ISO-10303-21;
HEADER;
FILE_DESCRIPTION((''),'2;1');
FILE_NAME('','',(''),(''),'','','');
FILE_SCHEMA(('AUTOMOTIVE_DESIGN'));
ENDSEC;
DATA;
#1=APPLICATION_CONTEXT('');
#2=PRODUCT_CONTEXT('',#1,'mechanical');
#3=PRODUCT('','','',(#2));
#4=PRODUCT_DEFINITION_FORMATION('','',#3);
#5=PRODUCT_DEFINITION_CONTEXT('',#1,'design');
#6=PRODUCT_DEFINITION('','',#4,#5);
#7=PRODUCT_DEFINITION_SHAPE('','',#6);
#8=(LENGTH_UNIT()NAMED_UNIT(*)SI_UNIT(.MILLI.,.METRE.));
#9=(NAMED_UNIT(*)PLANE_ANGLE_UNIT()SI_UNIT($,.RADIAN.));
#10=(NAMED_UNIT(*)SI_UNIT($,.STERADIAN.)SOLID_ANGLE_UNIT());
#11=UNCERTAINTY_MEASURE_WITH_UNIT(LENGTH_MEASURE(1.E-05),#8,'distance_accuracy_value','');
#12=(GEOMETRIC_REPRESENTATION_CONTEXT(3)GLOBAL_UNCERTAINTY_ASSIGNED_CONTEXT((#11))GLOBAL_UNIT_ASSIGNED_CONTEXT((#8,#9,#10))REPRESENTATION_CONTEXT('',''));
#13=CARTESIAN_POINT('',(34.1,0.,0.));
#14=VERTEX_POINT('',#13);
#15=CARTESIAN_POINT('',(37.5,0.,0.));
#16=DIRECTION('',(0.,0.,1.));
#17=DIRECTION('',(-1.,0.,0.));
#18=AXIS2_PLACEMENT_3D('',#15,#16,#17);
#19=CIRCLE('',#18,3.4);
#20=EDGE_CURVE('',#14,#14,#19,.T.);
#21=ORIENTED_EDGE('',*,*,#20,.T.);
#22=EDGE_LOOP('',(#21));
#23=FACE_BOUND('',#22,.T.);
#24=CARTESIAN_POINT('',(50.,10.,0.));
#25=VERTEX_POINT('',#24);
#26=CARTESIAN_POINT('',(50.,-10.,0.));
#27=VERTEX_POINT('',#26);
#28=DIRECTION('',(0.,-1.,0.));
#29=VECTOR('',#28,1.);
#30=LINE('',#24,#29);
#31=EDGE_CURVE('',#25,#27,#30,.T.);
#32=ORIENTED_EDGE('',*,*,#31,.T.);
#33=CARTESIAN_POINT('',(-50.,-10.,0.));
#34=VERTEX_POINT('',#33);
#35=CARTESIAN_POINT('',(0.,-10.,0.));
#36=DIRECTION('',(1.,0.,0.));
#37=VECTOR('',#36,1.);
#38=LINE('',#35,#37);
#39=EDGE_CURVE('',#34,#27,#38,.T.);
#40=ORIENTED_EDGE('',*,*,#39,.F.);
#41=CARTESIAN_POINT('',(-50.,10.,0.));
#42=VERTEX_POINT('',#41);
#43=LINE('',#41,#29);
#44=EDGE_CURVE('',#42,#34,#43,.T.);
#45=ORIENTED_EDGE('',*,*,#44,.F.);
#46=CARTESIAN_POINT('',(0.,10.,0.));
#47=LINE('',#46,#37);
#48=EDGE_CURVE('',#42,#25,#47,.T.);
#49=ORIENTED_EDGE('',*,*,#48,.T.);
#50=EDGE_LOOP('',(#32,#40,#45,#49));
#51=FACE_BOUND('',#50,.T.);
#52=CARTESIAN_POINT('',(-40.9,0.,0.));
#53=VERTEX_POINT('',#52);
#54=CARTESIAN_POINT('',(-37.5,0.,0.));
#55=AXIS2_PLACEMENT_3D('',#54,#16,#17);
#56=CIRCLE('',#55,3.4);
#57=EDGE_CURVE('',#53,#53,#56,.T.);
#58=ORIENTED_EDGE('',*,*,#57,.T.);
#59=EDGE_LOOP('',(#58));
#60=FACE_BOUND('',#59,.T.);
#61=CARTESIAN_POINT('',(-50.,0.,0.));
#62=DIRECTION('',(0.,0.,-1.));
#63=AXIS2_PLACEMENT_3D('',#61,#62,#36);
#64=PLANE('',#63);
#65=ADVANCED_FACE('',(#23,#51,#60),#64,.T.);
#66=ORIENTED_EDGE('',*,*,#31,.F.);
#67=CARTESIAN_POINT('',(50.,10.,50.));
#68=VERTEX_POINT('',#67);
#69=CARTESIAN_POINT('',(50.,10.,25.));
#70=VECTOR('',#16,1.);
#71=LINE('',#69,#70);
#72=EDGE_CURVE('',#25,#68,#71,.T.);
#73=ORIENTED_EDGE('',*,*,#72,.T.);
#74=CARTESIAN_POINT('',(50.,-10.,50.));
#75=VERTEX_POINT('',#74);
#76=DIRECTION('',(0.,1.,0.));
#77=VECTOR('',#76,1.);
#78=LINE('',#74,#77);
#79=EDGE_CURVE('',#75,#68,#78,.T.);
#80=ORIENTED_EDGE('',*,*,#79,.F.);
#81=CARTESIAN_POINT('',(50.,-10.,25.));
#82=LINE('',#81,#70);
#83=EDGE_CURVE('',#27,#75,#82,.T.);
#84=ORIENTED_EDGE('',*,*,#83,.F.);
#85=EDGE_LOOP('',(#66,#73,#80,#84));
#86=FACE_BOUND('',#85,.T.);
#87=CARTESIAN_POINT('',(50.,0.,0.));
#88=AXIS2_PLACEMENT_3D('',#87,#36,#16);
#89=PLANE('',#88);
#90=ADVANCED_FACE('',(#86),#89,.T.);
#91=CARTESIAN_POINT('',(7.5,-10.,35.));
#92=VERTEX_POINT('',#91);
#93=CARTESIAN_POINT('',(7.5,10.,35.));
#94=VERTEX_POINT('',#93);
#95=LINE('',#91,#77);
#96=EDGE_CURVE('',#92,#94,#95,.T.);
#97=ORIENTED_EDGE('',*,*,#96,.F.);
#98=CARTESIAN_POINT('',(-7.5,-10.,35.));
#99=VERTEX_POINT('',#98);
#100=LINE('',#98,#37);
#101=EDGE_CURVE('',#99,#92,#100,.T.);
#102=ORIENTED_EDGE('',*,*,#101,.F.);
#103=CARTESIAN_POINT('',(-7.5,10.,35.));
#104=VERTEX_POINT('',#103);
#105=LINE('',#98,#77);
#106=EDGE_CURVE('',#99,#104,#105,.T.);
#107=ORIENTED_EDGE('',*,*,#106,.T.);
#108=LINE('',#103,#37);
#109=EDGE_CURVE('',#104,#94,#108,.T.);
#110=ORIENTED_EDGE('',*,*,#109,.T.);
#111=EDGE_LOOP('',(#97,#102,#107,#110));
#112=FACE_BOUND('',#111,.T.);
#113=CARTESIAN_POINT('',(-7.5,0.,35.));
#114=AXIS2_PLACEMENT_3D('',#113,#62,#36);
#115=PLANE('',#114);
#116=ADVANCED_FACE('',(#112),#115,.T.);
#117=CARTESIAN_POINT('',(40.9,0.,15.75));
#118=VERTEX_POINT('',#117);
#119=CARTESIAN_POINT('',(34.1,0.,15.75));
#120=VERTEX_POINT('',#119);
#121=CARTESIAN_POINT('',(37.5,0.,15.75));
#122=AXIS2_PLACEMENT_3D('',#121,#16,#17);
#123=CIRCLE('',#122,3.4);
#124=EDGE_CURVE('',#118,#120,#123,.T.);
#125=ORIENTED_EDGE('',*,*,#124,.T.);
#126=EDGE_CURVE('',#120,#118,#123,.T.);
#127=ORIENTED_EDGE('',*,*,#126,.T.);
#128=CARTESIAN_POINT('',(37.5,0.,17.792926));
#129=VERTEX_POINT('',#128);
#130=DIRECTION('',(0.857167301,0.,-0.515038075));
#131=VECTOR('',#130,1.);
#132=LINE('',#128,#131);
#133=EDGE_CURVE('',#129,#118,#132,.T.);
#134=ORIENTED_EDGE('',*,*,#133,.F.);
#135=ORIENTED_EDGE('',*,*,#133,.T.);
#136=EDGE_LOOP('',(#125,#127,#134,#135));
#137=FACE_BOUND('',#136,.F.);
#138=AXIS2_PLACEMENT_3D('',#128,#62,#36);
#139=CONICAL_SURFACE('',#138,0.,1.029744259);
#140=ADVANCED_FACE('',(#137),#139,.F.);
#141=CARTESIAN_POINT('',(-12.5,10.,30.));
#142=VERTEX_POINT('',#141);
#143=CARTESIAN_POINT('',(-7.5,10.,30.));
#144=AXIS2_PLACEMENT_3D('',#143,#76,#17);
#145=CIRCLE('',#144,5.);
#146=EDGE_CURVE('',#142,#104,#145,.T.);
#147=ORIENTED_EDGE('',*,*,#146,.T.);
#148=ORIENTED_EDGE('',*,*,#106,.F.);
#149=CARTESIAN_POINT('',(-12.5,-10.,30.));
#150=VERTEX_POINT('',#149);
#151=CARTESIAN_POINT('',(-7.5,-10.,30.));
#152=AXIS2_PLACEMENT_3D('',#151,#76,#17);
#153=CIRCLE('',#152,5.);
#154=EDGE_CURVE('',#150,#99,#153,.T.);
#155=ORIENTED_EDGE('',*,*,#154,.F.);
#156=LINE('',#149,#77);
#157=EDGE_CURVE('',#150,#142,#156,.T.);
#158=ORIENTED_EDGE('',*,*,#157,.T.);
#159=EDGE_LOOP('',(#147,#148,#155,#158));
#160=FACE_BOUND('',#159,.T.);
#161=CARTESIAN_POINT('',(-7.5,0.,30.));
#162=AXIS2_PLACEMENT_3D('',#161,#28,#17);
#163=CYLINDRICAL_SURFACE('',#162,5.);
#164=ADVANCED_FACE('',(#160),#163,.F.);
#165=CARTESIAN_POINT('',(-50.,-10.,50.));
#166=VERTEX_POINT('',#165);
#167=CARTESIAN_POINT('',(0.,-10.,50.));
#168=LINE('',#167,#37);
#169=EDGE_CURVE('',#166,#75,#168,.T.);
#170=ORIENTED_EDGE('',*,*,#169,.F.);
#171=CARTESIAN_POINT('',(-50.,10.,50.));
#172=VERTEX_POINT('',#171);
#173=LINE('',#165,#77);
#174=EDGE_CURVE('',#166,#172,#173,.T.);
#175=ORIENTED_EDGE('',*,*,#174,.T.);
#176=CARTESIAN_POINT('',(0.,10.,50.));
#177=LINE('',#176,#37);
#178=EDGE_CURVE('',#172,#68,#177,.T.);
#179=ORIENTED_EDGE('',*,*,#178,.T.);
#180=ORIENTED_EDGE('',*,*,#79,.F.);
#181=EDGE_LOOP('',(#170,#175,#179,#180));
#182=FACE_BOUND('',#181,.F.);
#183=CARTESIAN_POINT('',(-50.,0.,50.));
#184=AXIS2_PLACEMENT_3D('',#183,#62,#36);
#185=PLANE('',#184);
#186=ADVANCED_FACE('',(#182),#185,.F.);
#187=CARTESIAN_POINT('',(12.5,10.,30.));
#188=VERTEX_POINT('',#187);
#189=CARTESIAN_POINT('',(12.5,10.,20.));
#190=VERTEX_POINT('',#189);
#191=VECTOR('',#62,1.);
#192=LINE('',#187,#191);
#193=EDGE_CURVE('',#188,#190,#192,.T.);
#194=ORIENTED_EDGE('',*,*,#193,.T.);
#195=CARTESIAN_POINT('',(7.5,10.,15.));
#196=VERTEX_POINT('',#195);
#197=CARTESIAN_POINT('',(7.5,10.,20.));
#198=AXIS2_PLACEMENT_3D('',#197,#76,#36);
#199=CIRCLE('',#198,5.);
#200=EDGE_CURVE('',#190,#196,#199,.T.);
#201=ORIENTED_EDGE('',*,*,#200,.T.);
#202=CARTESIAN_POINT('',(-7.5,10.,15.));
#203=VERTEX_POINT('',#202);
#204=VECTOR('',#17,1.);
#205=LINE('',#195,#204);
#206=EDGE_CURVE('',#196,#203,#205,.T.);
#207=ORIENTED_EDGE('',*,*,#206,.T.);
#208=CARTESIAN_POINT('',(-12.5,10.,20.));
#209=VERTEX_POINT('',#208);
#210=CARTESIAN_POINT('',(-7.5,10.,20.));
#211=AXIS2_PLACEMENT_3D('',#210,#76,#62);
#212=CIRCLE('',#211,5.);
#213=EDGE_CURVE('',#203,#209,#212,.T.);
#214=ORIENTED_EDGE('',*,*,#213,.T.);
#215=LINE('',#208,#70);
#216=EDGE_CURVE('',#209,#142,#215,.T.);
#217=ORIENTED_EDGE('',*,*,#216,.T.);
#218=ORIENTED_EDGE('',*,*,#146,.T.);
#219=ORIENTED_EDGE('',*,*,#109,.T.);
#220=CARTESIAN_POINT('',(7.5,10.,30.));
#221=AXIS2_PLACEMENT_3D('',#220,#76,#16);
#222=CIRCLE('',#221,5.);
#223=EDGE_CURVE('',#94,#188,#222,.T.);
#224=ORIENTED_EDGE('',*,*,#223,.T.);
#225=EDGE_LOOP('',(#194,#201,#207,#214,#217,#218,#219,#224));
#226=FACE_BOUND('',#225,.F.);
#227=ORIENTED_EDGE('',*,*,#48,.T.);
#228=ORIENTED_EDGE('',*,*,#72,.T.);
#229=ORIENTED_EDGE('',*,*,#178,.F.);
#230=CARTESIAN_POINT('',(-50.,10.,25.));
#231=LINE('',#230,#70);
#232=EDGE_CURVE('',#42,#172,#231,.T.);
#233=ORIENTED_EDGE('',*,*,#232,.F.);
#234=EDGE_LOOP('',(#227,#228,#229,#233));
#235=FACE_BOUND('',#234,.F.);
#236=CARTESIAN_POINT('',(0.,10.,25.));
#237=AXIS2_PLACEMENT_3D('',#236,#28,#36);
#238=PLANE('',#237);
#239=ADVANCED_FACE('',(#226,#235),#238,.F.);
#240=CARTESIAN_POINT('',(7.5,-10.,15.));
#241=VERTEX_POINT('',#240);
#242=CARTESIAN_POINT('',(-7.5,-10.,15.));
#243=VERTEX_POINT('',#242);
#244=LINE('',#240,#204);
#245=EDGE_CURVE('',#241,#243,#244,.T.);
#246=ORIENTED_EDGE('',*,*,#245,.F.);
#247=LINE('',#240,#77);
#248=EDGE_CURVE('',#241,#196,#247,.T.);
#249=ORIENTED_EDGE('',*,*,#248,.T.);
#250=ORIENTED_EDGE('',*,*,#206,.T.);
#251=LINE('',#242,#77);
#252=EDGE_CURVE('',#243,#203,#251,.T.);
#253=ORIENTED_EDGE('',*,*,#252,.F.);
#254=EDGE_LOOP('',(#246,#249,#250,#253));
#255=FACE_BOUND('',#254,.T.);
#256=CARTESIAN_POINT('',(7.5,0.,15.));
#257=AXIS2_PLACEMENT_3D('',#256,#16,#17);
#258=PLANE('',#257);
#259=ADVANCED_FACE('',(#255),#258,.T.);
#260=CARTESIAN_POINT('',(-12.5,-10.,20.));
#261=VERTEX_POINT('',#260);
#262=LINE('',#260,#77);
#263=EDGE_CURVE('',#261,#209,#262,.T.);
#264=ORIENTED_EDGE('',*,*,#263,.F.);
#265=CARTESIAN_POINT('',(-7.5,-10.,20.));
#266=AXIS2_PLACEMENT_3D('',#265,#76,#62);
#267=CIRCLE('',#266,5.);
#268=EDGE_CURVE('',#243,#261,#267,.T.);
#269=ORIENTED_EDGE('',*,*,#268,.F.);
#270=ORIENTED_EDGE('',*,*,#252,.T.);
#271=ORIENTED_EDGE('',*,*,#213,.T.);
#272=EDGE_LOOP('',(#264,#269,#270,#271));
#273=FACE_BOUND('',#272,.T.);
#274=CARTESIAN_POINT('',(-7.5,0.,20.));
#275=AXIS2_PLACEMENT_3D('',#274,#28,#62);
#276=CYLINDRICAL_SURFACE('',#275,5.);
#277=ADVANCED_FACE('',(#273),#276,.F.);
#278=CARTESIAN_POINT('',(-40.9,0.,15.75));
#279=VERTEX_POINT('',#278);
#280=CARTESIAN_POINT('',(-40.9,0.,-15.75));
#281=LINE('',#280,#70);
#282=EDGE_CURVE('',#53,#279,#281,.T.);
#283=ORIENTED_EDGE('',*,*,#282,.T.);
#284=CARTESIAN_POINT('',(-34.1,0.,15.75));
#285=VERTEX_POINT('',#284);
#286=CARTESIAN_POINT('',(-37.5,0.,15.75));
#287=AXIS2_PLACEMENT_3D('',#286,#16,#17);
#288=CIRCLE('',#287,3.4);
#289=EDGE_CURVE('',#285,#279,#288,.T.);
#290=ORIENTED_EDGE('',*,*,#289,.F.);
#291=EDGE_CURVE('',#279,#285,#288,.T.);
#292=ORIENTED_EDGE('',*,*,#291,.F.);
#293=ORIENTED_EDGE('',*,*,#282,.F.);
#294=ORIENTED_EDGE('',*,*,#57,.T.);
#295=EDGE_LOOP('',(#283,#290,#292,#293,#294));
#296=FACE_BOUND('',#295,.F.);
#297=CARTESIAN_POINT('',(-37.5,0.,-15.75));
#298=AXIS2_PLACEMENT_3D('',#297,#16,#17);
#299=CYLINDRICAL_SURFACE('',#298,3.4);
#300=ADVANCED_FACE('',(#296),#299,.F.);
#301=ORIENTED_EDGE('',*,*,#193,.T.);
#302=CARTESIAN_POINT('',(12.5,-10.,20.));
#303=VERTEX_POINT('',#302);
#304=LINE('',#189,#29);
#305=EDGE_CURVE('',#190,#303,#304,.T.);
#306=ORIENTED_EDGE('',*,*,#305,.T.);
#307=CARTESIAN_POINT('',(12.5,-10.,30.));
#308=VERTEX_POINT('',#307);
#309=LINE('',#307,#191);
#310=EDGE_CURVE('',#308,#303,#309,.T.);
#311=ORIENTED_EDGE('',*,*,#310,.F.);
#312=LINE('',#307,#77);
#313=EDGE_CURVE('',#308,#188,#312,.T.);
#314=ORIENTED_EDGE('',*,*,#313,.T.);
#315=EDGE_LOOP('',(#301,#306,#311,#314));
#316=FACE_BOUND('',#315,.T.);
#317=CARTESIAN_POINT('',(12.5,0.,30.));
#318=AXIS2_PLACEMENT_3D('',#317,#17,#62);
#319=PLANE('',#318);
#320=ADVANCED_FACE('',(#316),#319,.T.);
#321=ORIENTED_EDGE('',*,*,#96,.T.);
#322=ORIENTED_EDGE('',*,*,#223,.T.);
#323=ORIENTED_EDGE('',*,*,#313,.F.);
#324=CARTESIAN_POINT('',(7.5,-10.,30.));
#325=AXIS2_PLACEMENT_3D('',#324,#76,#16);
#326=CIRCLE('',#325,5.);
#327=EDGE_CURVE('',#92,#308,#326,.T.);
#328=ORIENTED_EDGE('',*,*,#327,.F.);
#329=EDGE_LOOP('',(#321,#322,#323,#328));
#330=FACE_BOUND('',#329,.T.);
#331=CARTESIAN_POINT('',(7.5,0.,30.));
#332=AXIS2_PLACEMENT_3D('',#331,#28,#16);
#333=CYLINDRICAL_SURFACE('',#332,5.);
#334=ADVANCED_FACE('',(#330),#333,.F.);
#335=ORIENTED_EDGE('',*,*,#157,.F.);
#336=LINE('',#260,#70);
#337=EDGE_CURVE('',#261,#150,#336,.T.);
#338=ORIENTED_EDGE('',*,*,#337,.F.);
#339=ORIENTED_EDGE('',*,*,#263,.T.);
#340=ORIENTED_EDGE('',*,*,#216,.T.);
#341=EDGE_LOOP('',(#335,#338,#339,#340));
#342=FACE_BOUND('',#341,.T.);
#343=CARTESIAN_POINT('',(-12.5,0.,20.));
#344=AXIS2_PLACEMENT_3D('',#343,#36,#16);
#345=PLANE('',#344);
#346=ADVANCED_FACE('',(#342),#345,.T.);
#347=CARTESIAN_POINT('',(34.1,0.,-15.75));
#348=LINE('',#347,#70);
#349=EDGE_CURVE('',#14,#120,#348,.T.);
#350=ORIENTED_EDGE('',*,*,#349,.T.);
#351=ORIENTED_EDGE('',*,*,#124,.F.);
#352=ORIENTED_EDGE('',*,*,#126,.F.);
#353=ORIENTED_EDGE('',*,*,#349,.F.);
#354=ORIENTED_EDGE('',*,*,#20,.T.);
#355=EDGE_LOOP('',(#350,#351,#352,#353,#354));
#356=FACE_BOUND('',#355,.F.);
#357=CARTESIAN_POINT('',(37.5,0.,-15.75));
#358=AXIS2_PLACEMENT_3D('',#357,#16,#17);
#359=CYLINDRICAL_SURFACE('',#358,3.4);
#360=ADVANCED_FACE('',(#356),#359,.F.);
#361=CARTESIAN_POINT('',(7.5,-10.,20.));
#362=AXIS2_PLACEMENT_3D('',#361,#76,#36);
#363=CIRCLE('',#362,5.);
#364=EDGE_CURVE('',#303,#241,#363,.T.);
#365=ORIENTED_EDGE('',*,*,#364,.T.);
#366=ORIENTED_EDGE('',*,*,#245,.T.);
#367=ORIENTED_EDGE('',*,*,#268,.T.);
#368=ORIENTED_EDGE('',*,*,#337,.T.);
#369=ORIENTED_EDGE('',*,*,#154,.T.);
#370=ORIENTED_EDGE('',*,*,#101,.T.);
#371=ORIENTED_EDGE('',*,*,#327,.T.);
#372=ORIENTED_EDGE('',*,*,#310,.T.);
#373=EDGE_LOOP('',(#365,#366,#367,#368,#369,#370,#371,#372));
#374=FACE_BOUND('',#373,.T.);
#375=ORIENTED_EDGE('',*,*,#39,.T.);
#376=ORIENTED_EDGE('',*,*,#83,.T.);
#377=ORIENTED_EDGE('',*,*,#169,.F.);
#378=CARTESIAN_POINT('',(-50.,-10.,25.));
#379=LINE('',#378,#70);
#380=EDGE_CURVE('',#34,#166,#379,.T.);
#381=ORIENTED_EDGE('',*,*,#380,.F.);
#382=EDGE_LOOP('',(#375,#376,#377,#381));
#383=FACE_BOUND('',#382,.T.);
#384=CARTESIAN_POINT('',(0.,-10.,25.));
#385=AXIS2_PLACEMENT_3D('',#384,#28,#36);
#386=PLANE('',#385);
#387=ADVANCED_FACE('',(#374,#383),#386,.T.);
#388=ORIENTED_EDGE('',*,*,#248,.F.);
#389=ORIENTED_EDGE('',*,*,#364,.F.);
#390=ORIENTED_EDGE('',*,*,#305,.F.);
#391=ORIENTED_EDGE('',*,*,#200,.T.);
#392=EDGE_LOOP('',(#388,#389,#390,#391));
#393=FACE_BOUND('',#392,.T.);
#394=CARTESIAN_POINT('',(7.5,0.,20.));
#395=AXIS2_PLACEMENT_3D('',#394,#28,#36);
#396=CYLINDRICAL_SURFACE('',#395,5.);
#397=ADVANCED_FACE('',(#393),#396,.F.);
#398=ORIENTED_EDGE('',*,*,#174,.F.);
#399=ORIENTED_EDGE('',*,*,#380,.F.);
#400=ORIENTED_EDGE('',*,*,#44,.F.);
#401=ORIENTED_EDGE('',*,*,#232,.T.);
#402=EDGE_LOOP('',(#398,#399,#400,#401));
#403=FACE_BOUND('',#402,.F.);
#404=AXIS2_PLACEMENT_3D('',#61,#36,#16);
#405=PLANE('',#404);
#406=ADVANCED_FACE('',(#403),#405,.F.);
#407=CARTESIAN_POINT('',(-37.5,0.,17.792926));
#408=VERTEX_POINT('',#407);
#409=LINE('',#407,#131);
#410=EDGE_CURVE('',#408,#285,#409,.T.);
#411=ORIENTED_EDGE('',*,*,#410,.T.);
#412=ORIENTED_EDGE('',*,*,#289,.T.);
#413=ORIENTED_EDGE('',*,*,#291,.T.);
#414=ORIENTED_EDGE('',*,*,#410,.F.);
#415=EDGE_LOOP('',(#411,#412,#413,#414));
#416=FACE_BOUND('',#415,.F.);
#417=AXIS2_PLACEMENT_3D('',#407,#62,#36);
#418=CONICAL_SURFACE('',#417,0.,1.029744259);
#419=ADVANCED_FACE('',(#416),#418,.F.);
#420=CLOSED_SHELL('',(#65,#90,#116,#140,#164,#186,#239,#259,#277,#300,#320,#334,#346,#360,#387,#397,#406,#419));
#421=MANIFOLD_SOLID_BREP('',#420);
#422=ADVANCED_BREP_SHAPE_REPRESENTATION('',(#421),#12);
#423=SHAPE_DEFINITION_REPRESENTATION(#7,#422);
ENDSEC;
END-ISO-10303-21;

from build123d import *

# Parameters (mm, degrees)
F0_W     = 100
F0_H     = 50
F1_DEPTH = 10
F3_D     = 6.8
F3_DEPTH = 15.75
F3_TIP   = 2.0429261047


with BuildPart() as f1:
    # F0 (on Front) → F1 (new body, symmetric)
    with BuildSketch(Plane.XZ):
        with Locations((0, 25)):
            Rectangle(F0_W, F0_H)
        with BuildLine():
            ThreePointArc((12.5, 20), (11.0355339059, 16.4644660941), (7.5, 15))
            Line((7.5, 15), (-7.5, 15))
            ThreePointArc((-7.5, 15), (-11.0355339059, 16.4644660941), (-12.5, 20))
            Line((-12.5, 20), (-12.5, 30))
            ThreePointArc((-12.5, 30), (-11.0355339059, 33.5355339059), (-7.5, 35))
            Line((-7.5, 35), (7.5, 35))
            ThreePointArc((7.5, 35), (11.0355339059, 33.5355339059), (12.5, 30))
            Line((12.5, 30), (12.5, 20))
        make_face(mode=Mode.SUBTRACT)
    extrude(amount=F1_DEPTH, both=True)

    # F3
    with Locations(Plane(origin=(0, 0, 0), x_dir=(1, 0, 0), z_dir=(0, 0, -1))):
        with Locations((-37.5, 0), (37.5, 0)):
            Hole(F3_D / 2, depth=F3_DEPTH)
            with Locations((0, 0, -(F3_DEPTH + F3_TIP / 2))):  # 118° drill point
                Cone(0, F3_D / 2, F3_TIP, mode=Mode.SUBTRACT)


solid = f1.part
